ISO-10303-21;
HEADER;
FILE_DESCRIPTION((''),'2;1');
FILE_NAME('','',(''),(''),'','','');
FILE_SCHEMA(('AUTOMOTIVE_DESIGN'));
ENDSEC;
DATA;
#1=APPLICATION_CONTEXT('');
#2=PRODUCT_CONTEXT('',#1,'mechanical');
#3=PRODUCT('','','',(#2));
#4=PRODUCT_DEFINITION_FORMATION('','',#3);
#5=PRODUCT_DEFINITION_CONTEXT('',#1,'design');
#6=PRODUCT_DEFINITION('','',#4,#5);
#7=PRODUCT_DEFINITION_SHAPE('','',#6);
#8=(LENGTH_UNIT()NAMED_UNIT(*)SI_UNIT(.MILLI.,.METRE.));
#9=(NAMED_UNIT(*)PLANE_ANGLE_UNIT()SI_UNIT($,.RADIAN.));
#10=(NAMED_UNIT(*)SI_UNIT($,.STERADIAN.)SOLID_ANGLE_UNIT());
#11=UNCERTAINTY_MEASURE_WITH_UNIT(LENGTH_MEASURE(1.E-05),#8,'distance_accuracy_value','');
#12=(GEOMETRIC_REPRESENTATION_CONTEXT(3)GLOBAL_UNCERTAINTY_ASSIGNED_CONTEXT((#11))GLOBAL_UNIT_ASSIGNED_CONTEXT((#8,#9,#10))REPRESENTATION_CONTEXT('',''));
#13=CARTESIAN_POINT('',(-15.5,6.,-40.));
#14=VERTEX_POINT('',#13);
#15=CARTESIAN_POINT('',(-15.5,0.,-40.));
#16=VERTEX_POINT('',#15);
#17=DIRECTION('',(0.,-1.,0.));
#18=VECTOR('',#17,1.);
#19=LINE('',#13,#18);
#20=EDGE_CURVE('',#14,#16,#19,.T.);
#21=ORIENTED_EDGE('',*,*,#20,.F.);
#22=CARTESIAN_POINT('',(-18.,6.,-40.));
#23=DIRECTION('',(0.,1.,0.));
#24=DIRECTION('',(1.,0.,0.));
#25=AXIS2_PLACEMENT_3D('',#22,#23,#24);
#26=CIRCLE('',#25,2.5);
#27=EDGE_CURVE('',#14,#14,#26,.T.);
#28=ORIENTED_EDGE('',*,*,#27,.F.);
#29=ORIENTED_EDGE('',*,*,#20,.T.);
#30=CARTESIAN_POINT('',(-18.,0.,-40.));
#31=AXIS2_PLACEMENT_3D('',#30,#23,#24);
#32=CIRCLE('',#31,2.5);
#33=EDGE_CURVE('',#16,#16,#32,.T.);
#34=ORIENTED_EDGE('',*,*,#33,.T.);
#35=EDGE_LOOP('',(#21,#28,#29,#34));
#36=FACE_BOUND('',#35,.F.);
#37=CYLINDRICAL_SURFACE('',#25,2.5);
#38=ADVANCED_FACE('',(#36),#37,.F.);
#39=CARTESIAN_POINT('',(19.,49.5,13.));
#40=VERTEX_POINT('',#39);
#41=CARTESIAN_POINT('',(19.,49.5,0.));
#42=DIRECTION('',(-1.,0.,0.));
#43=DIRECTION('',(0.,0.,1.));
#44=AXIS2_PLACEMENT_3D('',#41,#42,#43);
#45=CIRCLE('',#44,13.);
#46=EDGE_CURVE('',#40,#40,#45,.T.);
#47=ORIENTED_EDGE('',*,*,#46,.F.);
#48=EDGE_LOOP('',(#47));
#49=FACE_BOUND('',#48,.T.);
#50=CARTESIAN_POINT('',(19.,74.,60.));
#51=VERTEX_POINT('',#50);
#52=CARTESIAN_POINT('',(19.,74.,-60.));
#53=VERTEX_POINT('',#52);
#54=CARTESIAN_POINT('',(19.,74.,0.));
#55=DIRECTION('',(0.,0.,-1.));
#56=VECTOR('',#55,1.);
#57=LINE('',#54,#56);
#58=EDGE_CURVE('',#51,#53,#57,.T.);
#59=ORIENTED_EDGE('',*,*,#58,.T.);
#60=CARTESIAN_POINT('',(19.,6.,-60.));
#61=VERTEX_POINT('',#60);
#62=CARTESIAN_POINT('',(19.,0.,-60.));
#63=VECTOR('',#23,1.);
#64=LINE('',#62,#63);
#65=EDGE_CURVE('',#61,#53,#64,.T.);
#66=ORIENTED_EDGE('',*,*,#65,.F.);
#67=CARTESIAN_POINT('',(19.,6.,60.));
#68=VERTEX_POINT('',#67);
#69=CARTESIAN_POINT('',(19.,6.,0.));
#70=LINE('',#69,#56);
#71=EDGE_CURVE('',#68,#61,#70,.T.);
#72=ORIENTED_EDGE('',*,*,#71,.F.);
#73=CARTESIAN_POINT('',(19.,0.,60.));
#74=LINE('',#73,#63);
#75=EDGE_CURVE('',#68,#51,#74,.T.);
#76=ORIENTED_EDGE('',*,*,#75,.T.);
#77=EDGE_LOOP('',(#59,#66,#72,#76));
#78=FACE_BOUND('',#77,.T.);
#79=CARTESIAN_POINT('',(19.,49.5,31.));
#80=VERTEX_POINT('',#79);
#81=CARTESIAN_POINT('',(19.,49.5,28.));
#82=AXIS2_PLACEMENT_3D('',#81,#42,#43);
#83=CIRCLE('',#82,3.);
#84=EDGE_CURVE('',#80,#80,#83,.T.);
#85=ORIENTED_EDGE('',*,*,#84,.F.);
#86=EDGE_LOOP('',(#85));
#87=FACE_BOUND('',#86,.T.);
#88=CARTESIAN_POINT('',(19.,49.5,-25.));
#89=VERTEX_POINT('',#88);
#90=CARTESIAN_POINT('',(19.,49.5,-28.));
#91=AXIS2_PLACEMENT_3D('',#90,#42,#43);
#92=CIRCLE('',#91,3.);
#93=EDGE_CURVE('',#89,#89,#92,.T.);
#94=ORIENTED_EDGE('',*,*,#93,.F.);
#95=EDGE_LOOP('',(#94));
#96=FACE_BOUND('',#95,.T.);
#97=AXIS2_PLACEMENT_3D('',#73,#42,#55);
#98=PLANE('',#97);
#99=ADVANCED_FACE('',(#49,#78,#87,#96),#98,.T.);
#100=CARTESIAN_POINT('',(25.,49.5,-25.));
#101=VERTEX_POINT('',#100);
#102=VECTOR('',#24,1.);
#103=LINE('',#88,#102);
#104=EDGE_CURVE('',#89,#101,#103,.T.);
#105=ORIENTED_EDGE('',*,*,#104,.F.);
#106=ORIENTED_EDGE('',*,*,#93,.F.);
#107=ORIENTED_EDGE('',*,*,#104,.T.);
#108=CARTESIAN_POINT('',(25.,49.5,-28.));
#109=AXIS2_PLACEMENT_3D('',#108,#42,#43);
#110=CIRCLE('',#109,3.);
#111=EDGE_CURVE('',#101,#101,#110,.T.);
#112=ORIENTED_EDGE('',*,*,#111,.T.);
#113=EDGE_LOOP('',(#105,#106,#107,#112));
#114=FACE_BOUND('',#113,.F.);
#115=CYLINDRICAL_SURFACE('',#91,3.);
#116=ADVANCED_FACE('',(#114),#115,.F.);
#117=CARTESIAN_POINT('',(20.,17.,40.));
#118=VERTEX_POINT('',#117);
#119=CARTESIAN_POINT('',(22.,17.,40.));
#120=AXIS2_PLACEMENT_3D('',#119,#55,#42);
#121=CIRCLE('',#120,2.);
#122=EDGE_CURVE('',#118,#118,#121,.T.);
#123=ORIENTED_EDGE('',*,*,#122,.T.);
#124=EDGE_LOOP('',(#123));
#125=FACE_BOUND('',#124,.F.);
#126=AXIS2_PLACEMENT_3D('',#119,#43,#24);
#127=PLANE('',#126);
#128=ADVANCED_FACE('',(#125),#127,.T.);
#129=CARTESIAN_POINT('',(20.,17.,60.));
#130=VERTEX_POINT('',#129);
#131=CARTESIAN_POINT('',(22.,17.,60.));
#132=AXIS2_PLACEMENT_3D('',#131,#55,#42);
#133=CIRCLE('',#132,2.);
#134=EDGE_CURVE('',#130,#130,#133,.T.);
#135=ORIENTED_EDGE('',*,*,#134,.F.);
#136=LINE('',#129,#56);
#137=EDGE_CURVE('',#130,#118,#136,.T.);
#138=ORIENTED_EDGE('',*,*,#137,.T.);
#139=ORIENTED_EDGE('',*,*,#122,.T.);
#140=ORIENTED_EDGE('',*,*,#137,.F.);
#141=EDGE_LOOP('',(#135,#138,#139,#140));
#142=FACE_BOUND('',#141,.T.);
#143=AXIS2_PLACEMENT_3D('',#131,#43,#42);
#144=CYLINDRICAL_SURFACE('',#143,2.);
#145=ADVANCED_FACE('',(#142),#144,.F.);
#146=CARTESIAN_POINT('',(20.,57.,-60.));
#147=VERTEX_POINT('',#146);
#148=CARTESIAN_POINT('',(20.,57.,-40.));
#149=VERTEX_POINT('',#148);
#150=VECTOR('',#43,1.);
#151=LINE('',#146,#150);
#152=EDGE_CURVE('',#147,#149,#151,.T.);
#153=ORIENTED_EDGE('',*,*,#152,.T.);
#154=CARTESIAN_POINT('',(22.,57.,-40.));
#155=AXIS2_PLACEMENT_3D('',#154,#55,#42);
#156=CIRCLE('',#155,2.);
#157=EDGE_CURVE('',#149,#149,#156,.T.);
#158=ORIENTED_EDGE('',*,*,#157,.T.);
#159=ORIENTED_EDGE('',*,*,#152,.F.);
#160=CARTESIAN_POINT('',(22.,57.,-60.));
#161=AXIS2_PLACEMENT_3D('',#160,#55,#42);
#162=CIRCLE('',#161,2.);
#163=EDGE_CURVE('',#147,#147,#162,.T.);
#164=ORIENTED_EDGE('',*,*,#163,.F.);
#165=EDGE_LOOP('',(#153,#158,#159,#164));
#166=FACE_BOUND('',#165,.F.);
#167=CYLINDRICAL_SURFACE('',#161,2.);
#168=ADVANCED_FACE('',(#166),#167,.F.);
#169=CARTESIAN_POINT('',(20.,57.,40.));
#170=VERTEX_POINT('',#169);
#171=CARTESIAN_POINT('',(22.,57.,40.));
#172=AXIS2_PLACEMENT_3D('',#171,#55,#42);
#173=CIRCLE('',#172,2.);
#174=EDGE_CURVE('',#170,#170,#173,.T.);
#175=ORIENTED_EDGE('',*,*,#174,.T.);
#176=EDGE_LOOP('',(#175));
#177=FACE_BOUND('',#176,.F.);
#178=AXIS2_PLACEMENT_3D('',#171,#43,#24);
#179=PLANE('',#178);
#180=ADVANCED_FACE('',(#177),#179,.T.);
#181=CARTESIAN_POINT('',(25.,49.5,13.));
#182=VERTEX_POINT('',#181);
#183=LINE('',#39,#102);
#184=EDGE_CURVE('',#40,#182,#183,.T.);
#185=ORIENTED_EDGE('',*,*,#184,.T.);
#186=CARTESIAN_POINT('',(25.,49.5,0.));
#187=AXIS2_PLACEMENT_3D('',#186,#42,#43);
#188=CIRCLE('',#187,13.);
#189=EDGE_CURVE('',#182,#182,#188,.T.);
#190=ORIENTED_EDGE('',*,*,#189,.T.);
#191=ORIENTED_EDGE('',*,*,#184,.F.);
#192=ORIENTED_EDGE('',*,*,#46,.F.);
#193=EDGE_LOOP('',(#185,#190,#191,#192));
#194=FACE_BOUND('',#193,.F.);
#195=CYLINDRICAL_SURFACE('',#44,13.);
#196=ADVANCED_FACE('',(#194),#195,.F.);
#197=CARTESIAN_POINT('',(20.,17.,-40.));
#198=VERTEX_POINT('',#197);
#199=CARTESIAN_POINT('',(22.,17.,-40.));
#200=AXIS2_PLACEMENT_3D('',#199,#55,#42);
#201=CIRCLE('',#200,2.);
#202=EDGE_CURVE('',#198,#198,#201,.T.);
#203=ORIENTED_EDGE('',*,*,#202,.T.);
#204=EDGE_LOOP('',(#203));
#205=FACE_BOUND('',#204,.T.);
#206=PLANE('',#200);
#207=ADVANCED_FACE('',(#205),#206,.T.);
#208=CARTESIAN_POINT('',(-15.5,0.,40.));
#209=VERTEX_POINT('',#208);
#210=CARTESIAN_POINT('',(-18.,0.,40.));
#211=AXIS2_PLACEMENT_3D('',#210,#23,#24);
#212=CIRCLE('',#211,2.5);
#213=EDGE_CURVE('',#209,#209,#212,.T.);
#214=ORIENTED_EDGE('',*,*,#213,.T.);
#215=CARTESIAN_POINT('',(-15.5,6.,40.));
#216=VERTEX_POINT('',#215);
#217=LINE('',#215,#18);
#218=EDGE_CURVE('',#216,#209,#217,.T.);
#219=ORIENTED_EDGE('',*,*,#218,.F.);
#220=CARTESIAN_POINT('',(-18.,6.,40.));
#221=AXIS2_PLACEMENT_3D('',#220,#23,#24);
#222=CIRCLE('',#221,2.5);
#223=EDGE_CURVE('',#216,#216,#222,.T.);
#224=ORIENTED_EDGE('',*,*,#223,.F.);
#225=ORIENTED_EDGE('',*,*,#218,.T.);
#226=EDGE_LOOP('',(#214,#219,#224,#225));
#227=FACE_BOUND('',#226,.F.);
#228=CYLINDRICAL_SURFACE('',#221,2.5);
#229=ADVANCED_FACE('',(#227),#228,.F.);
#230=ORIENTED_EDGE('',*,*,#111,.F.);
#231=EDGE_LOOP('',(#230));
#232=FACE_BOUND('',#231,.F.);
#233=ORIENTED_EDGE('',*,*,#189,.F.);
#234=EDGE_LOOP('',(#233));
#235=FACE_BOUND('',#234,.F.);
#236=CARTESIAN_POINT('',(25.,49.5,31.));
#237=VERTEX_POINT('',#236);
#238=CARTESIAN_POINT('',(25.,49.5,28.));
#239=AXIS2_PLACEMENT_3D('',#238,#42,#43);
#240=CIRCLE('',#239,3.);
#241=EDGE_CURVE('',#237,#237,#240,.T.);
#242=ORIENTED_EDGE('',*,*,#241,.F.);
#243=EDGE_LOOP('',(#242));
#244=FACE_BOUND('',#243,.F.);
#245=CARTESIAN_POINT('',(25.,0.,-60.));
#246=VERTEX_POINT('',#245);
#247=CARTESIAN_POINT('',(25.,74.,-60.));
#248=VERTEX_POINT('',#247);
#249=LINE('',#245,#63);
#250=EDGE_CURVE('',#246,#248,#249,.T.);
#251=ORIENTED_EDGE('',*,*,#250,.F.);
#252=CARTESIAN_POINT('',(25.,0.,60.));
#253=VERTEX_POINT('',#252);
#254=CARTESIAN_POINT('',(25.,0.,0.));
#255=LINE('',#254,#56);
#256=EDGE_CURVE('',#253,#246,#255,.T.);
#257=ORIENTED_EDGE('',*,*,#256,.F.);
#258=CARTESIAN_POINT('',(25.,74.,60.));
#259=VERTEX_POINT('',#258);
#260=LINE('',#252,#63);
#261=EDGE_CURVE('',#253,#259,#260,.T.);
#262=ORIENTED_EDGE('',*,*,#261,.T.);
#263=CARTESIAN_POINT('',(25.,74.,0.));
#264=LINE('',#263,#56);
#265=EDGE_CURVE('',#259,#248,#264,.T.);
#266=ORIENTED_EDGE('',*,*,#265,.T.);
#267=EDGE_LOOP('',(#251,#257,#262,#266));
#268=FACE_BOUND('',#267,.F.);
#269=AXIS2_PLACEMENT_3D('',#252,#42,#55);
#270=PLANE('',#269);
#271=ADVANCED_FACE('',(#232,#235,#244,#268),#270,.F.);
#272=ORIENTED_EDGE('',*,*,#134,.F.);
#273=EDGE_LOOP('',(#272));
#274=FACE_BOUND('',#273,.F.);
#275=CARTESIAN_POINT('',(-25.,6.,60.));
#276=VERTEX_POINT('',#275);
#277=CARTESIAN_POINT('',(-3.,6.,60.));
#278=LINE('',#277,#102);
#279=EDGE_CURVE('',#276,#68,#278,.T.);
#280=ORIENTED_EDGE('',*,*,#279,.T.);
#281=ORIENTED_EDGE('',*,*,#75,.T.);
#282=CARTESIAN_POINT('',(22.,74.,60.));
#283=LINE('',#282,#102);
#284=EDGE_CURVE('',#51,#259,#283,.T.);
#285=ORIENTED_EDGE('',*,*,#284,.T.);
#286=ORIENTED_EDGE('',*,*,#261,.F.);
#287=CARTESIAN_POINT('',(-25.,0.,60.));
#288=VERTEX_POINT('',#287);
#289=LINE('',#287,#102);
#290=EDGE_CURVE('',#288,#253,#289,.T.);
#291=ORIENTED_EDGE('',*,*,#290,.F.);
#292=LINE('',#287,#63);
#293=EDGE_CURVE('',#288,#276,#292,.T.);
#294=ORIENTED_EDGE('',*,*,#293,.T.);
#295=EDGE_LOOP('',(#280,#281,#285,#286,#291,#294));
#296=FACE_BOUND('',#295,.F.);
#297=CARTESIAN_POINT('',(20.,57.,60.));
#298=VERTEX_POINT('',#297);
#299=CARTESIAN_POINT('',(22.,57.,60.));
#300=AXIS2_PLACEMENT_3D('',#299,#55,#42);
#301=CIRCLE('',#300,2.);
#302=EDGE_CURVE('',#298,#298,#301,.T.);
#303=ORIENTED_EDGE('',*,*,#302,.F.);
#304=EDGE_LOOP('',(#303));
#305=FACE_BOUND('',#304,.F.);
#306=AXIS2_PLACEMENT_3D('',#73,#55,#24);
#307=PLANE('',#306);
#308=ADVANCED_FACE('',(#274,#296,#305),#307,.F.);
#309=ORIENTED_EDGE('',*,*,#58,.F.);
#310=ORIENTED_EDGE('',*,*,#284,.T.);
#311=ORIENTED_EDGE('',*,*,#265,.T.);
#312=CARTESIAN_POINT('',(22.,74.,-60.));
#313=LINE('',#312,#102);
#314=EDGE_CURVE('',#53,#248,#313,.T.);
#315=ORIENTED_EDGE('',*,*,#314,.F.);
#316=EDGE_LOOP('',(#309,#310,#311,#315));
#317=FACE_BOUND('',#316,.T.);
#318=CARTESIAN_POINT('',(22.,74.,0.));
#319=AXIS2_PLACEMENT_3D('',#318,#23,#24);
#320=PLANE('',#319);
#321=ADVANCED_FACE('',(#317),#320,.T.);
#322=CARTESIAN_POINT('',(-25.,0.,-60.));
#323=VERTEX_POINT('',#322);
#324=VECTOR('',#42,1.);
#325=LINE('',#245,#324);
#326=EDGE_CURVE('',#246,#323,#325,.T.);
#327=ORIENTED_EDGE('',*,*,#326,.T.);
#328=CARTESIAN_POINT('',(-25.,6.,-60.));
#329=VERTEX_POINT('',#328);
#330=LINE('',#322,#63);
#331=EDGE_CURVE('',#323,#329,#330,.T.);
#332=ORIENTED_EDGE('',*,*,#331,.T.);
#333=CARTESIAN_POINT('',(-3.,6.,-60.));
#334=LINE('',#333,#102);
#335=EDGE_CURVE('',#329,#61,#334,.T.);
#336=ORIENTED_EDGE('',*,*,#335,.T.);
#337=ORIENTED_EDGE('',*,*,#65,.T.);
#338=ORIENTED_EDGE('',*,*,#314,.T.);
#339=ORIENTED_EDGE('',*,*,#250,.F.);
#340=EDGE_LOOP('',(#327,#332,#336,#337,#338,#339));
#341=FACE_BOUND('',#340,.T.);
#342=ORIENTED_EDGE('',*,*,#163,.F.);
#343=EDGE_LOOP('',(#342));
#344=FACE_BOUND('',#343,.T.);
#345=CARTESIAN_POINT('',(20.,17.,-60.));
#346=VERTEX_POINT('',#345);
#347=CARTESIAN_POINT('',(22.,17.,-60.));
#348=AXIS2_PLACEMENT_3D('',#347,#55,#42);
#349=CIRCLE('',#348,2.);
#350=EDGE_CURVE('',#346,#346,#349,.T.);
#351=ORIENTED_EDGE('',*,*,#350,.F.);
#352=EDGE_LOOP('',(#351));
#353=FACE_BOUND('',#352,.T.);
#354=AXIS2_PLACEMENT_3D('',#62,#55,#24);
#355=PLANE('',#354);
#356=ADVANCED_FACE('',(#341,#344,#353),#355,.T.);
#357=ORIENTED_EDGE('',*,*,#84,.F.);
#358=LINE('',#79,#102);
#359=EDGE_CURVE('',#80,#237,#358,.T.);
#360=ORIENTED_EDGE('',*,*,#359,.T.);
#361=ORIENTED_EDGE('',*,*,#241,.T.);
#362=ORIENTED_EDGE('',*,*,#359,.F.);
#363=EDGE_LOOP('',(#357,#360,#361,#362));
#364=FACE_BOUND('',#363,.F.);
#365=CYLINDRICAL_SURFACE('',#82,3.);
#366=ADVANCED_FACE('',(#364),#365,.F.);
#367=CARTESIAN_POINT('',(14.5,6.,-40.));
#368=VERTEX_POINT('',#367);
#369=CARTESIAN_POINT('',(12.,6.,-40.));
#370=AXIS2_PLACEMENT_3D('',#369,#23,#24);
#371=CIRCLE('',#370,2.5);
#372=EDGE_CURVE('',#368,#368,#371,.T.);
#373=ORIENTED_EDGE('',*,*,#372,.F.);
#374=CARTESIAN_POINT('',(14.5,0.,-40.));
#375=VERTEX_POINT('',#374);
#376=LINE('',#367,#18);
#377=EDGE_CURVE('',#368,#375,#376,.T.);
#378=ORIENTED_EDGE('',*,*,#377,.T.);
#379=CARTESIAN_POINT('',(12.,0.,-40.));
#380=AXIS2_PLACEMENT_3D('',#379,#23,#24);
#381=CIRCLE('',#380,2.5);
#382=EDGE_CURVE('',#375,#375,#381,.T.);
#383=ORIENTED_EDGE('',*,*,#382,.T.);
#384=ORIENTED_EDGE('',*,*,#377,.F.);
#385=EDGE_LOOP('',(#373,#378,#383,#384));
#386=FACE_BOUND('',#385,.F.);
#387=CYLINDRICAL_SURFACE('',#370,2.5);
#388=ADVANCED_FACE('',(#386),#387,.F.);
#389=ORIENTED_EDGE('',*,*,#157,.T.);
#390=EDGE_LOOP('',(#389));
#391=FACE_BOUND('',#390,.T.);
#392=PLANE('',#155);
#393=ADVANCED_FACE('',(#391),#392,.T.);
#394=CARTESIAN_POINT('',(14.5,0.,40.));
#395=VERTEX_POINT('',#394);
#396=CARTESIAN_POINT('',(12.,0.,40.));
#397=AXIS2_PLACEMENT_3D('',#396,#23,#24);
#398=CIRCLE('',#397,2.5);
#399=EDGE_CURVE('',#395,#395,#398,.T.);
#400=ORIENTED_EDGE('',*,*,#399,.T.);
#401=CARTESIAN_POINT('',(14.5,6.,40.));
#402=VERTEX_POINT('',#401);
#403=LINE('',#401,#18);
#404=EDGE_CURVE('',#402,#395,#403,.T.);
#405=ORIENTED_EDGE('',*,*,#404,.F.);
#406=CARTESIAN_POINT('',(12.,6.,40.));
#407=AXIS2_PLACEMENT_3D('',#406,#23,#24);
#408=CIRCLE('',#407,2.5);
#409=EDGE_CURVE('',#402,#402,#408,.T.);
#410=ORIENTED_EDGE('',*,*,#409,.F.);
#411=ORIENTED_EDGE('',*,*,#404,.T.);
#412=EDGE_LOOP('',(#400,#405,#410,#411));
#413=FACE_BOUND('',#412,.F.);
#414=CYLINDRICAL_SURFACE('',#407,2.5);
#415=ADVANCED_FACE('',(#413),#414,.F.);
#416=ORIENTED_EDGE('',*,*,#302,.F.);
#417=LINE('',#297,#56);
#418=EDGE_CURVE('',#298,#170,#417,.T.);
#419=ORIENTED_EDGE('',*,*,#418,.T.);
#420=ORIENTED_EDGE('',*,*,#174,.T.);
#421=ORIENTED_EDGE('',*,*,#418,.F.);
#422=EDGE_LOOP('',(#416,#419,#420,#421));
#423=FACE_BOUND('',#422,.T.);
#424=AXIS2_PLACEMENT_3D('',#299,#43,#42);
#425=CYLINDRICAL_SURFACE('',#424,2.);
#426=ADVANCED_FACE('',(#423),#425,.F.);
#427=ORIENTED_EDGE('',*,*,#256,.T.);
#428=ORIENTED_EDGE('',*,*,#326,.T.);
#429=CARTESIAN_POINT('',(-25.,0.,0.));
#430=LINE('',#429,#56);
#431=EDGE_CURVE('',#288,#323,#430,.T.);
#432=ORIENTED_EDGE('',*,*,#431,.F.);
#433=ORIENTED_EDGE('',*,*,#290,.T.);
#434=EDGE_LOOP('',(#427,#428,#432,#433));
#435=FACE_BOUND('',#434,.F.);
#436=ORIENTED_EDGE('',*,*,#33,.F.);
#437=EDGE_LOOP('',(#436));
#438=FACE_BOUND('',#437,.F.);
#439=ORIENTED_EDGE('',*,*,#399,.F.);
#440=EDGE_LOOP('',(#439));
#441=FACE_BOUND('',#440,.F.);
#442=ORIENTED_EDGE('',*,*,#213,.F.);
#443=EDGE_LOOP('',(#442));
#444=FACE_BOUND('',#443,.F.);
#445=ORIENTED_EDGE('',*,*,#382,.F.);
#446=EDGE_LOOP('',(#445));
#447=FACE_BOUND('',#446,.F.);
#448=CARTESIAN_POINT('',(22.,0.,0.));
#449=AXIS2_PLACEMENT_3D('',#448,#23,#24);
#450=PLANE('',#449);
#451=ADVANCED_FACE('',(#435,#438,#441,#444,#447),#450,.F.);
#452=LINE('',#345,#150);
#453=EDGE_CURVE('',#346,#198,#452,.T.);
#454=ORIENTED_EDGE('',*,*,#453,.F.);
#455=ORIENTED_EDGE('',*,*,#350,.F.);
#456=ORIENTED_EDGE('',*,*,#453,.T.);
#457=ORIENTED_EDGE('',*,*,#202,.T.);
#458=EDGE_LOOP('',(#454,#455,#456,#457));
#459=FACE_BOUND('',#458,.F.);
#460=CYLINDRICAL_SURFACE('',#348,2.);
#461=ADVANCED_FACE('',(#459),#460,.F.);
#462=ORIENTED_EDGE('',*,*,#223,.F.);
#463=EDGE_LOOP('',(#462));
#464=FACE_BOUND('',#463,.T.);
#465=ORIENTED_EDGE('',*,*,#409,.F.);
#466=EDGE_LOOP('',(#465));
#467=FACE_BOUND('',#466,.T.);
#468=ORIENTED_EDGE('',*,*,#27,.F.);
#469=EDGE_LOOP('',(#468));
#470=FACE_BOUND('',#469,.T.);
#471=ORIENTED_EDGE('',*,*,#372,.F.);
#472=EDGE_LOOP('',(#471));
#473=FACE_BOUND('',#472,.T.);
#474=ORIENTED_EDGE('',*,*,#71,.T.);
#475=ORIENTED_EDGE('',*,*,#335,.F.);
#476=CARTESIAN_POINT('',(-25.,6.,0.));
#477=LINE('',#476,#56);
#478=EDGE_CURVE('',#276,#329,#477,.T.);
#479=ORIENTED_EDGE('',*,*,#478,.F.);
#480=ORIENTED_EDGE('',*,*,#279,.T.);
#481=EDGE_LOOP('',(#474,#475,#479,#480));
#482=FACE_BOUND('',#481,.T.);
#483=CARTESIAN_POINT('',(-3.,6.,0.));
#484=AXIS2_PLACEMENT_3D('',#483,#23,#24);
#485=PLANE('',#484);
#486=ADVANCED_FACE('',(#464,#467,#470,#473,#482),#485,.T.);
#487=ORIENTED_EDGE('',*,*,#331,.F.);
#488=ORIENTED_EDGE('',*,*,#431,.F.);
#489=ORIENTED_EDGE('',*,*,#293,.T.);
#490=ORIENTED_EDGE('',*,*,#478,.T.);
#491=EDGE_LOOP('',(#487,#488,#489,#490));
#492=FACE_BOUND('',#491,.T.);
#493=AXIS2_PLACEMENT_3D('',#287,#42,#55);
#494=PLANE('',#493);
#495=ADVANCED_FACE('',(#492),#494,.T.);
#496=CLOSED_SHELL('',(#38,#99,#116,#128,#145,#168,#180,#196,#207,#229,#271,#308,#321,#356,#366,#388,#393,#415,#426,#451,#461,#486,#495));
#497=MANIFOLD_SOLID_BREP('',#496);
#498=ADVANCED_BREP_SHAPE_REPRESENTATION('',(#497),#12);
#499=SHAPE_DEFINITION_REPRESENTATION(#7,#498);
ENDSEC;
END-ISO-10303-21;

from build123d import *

# Parameters (mm, degrees)
SKETCH_1_W          = 44
SKETCH_1_H          = 120
EXTRUDE_1_DEPTH     = 6
SKETCH_1_3_W        = 6
SKETCH_1_3_H        = 120
EXTRUDE_2_DEPTH     = 74
SKETCH_2_R          = 13
SKETCH_2_R_2        = 3
CUT_EXTRUDE_1_DEPTH = 7
SKETCH_3_R          = 2.5
CUT_EXTRUDE_2_DEPTH = 10
SKETCH_4_R          = 2
CUT_EXTRUDE_3_DEPTH = 20


with BuildPart() as part:
    # Sketch 1 → Extrude 1 (new body)
    with BuildSketch(Plane(origin=(0, 0, 0), x_dir=(1, 0, 0), z_dir=(0, 1, 0))):
        with Locations((-3, 0)):
            Rectangle(SKETCH_1_W, SKETCH_1_H)
    extrude(amount=EXTRUDE_1_DEPTH)

    # Sketch 1_3 → Extrude 2 (add)
    with BuildSketch(Plane(origin=(0, 0, 0), x_dir=(1, 0, 0), z_dir=(0, 1, 0))):
        with Locations((22, 0)):
            Rectangle(SKETCH_1_3_W, SKETCH_1_3_H)
    extrude(amount=EXTRUDE_2_DEPTH)

    # Sketch 2 → Cut-Extrude 1 (cut, through all)
    with BuildSketch(Plane.ZY.offset(-19)):
        with Locations((0, 49.5)):
            Circle(SKETCH_2_R)
        with Locations((-28, 49.5)):
            Circle(SKETCH_2_R_2)
        with Locations((28, 49.5)):
            Circle(SKETCH_2_R_2)
    extrude(amount=-CUT_EXTRUDE_1_DEPTH, mode=Mode.SUBTRACT)

    # Sketch 3 → Cut-Extrude 2 (cut)
    with BuildSketch(Plane(origin=(0, 6, 0), x_dir=(1, 0, 0), z_dir=(0, 1, 0))):
        with Locations((-18, 40)):
            Circle(SKETCH_3_R)
        with Locations((12, 40)):
            Circle(SKETCH_3_R)
        with Locations((-18, -40)):
            Circle(SKETCH_3_R)
        with Locations((12, -40)):
            Circle(SKETCH_3_R)
    extrude(amount=-CUT_EXTRUDE_2_DEPTH, mode=Mode.SUBTRACT)

    # Sketch 4 → Cut-Extrude 3 (cut)
    with BuildSketch(Plane(origin=(0, 0, -60), x_dir=(-1, 0, 0), z_dir=(0, 0, -1))):
        with Locations((-22, 17)):
            Circle(SKETCH_4_R)
        with Locations((-22, 57)):
            Circle(SKETCH_4_R)
    cut_extrude_3 = extrude(amount=-CUT_EXTRUDE_3_DEPTH, mode=Mode.SUBTRACT)

    # Mirror 1: Cut-Extrude 3 across plane
    add(cut_extrude_3.mirror(Plane(origin=(0, 0, 0), x_dir=(1, 0, 0), z_dir=(0, 0, -1))), mode=Mode.SUBTRACT)


solid = part.part
